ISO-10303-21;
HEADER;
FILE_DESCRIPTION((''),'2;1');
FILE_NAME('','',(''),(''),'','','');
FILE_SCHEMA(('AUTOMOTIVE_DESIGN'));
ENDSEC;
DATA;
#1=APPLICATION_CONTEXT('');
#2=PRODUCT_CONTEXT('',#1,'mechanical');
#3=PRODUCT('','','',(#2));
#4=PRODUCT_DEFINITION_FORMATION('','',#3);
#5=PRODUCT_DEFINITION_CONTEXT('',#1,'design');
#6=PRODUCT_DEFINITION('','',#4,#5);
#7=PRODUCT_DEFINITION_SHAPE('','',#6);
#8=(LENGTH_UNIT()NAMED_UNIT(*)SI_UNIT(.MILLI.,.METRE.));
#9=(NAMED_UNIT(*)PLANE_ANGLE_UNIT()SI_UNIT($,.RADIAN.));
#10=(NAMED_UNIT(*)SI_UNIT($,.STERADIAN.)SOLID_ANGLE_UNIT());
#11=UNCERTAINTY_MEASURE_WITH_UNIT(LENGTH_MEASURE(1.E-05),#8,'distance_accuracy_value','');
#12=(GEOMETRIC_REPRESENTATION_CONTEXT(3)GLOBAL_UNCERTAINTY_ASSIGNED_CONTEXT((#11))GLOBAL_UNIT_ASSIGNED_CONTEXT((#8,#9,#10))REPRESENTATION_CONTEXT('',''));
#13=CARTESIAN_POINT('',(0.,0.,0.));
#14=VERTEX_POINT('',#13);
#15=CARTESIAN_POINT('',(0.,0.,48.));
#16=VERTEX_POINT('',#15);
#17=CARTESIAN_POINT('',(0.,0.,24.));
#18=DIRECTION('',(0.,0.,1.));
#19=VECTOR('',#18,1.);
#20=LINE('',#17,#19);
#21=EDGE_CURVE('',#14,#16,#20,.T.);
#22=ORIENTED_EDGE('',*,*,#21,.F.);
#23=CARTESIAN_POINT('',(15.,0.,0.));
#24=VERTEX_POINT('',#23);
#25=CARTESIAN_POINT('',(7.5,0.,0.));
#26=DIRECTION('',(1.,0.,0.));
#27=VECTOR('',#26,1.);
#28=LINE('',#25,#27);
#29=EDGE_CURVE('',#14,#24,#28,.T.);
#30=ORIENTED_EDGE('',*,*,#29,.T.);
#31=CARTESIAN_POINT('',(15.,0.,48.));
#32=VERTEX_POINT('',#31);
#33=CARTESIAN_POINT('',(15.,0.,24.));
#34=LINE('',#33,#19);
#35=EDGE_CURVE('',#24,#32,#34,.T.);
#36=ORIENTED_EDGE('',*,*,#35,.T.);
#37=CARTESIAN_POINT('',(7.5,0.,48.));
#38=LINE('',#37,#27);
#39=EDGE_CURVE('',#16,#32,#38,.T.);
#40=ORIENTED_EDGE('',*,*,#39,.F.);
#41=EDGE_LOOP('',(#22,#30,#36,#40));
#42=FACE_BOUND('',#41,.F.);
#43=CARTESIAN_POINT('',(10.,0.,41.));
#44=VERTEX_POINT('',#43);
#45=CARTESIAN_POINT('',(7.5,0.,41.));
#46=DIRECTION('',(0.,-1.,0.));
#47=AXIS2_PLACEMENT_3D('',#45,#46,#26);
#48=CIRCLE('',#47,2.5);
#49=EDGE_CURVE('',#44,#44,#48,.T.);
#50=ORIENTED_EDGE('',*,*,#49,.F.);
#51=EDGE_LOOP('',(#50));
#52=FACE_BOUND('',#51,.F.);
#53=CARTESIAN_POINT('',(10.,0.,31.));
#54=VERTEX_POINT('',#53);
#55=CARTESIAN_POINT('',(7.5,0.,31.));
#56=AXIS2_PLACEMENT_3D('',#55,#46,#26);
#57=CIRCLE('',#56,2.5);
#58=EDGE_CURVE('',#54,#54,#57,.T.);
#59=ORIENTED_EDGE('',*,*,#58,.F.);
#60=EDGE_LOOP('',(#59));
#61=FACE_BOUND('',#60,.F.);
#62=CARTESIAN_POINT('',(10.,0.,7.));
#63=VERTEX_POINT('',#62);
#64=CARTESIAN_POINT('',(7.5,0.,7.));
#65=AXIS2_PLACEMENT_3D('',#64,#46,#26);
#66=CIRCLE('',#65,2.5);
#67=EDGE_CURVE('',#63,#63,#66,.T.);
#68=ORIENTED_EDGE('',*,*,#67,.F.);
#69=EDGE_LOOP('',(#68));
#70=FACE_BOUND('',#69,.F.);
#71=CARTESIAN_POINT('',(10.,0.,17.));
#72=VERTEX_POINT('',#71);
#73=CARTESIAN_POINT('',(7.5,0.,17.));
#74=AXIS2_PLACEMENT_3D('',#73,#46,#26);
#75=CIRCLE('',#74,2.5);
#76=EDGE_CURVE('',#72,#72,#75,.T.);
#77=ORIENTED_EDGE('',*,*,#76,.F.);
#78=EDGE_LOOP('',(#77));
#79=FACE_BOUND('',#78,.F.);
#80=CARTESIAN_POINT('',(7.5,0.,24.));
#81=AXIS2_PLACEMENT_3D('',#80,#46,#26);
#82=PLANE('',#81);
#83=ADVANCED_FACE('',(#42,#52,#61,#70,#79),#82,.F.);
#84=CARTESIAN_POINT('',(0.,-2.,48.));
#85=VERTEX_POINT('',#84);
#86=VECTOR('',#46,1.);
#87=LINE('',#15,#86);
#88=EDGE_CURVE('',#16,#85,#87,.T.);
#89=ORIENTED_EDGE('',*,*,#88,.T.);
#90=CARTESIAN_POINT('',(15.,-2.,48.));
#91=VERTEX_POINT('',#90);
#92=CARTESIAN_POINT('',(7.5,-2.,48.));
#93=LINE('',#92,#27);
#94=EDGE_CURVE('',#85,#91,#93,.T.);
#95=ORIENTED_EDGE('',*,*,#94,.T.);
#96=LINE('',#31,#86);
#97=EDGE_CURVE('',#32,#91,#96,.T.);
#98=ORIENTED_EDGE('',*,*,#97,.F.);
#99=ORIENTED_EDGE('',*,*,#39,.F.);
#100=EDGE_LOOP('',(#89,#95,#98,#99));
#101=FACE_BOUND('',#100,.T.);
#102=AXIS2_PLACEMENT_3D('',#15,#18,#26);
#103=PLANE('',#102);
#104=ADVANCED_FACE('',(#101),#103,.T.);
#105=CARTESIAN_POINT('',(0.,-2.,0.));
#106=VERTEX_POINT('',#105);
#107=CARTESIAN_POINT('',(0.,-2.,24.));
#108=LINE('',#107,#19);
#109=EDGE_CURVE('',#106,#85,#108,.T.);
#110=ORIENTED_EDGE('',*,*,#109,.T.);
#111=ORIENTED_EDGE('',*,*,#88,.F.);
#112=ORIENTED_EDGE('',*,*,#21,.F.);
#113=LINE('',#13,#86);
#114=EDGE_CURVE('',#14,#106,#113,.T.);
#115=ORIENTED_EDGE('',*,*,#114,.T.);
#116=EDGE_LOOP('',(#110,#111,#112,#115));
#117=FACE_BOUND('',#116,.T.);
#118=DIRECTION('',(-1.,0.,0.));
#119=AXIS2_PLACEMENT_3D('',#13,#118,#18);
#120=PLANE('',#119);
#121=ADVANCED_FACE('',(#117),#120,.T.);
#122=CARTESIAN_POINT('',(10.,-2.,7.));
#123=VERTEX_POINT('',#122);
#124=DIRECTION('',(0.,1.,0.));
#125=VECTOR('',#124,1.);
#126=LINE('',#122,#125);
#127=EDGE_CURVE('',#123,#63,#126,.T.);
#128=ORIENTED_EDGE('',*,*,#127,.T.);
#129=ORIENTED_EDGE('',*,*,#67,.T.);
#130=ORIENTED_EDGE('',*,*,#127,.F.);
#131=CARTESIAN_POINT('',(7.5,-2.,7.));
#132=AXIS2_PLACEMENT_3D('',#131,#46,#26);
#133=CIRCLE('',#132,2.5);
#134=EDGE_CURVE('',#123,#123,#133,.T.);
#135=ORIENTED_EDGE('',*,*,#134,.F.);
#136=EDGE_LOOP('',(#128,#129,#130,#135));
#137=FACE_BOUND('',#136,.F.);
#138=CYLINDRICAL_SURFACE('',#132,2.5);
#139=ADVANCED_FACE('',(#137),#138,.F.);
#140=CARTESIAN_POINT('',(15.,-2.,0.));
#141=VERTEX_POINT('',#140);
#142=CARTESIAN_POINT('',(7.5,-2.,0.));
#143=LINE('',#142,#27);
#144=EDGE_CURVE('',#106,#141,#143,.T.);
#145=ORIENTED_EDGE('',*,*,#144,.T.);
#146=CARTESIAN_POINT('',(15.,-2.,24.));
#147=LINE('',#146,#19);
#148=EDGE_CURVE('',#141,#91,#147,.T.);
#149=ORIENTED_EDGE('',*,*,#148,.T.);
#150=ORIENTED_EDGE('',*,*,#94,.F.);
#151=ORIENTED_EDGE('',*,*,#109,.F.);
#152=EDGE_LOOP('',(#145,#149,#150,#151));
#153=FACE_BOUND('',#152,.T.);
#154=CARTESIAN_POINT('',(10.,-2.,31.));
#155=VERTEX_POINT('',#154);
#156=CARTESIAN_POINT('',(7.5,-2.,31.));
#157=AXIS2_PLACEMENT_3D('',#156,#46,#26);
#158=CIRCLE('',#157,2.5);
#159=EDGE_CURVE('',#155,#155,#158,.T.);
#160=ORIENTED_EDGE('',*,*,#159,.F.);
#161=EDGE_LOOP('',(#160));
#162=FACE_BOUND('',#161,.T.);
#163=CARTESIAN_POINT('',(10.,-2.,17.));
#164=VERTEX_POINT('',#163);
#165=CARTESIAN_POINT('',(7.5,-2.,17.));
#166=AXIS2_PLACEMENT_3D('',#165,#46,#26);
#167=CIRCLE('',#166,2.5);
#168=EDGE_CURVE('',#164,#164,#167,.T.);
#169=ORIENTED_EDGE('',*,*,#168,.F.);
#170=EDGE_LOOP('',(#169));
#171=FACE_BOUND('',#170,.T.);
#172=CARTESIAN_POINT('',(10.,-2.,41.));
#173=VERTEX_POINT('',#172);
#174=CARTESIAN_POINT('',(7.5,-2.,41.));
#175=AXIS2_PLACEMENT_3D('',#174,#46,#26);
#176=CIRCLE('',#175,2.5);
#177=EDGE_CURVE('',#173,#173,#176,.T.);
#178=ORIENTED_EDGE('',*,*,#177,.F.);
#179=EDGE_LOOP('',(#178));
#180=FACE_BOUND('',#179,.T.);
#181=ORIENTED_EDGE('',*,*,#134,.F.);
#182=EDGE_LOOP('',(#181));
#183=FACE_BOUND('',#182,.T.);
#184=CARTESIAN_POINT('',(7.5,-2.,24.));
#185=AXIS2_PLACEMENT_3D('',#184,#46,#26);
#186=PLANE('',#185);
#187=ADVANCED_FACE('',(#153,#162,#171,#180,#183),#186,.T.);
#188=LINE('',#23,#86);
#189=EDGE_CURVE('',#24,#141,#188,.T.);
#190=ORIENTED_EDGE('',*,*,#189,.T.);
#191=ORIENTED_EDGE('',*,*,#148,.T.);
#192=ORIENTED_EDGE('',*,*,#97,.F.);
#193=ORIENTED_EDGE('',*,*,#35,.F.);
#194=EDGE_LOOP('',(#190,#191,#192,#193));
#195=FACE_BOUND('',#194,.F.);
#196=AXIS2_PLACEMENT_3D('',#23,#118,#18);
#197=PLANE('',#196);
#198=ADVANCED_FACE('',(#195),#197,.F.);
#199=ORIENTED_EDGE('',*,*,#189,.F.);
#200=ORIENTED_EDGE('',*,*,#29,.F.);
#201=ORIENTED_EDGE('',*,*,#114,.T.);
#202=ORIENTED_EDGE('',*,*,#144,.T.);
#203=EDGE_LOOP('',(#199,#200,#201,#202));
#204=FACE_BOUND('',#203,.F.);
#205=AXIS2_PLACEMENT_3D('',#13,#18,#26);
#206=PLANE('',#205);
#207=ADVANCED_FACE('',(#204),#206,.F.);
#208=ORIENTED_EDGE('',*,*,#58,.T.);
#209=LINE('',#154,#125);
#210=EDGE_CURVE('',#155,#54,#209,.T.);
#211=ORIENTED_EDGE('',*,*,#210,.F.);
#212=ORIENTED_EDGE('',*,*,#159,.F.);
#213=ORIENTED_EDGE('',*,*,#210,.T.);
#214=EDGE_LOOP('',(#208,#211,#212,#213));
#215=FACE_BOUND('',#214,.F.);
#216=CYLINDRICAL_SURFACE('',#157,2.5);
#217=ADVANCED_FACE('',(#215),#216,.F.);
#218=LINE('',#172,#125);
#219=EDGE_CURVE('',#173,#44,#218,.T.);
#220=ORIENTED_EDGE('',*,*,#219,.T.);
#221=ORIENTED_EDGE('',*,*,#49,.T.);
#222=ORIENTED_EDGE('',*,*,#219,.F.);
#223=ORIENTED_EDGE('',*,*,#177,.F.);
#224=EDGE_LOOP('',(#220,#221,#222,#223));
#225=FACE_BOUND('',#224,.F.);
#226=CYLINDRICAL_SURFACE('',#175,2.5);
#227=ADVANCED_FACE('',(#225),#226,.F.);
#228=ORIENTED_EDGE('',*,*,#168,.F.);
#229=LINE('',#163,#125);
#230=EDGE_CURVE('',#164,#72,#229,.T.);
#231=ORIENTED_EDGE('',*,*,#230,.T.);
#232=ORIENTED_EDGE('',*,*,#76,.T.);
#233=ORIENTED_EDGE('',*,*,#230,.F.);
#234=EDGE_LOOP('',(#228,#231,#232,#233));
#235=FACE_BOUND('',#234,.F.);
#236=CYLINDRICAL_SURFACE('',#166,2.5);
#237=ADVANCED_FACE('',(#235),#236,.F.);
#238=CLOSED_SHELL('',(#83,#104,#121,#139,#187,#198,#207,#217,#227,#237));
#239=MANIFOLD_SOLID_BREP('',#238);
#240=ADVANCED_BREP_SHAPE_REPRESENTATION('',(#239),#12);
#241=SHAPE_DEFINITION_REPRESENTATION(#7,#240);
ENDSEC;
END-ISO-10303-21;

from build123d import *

# Parameters (mm, degrees)
SKETCH_W            = 15
SKETCH_H            = 48
PAD_DEPTH           = 2
SKETCH001_R         = 2.5
POCKET_DEPTH        = 2.001
LINEARPATTERN_COUNT = 2
LINEARPATTERN_PITCH = 24


with BuildPart() as part:
    # Sketch → Pad (new body)
    with BuildSketch(Plane.XZ):
        with Locations((7.5, 24)):
            Rectangle(SKETCH_W, SKETCH_H)
    extrude(amount=PAD_DEPTH)

    # Sketch001 (on Face6 of Pad) → Pocket (cut, through all)
    with BuildSketch(Plane.XZ.offset(2)):
        with Locations((7.5, 7)):
            Circle(SKETCH001_R)
        with Locations((7.5, 17)):
            Circle(SKETCH001_R)
    pocket = extrude(amount=-POCKET_DEPTH, mode=Mode.SUBTRACT)

    # LinearPattern: Pocket ×2
    with Locations(*[(0, 0, i * LINEARPATTERN_PITCH) for i in range(1, LINEARPATTERN_COUNT)]):
        add(pocket, mode=Mode.SUBTRACT)


solid = part.part
